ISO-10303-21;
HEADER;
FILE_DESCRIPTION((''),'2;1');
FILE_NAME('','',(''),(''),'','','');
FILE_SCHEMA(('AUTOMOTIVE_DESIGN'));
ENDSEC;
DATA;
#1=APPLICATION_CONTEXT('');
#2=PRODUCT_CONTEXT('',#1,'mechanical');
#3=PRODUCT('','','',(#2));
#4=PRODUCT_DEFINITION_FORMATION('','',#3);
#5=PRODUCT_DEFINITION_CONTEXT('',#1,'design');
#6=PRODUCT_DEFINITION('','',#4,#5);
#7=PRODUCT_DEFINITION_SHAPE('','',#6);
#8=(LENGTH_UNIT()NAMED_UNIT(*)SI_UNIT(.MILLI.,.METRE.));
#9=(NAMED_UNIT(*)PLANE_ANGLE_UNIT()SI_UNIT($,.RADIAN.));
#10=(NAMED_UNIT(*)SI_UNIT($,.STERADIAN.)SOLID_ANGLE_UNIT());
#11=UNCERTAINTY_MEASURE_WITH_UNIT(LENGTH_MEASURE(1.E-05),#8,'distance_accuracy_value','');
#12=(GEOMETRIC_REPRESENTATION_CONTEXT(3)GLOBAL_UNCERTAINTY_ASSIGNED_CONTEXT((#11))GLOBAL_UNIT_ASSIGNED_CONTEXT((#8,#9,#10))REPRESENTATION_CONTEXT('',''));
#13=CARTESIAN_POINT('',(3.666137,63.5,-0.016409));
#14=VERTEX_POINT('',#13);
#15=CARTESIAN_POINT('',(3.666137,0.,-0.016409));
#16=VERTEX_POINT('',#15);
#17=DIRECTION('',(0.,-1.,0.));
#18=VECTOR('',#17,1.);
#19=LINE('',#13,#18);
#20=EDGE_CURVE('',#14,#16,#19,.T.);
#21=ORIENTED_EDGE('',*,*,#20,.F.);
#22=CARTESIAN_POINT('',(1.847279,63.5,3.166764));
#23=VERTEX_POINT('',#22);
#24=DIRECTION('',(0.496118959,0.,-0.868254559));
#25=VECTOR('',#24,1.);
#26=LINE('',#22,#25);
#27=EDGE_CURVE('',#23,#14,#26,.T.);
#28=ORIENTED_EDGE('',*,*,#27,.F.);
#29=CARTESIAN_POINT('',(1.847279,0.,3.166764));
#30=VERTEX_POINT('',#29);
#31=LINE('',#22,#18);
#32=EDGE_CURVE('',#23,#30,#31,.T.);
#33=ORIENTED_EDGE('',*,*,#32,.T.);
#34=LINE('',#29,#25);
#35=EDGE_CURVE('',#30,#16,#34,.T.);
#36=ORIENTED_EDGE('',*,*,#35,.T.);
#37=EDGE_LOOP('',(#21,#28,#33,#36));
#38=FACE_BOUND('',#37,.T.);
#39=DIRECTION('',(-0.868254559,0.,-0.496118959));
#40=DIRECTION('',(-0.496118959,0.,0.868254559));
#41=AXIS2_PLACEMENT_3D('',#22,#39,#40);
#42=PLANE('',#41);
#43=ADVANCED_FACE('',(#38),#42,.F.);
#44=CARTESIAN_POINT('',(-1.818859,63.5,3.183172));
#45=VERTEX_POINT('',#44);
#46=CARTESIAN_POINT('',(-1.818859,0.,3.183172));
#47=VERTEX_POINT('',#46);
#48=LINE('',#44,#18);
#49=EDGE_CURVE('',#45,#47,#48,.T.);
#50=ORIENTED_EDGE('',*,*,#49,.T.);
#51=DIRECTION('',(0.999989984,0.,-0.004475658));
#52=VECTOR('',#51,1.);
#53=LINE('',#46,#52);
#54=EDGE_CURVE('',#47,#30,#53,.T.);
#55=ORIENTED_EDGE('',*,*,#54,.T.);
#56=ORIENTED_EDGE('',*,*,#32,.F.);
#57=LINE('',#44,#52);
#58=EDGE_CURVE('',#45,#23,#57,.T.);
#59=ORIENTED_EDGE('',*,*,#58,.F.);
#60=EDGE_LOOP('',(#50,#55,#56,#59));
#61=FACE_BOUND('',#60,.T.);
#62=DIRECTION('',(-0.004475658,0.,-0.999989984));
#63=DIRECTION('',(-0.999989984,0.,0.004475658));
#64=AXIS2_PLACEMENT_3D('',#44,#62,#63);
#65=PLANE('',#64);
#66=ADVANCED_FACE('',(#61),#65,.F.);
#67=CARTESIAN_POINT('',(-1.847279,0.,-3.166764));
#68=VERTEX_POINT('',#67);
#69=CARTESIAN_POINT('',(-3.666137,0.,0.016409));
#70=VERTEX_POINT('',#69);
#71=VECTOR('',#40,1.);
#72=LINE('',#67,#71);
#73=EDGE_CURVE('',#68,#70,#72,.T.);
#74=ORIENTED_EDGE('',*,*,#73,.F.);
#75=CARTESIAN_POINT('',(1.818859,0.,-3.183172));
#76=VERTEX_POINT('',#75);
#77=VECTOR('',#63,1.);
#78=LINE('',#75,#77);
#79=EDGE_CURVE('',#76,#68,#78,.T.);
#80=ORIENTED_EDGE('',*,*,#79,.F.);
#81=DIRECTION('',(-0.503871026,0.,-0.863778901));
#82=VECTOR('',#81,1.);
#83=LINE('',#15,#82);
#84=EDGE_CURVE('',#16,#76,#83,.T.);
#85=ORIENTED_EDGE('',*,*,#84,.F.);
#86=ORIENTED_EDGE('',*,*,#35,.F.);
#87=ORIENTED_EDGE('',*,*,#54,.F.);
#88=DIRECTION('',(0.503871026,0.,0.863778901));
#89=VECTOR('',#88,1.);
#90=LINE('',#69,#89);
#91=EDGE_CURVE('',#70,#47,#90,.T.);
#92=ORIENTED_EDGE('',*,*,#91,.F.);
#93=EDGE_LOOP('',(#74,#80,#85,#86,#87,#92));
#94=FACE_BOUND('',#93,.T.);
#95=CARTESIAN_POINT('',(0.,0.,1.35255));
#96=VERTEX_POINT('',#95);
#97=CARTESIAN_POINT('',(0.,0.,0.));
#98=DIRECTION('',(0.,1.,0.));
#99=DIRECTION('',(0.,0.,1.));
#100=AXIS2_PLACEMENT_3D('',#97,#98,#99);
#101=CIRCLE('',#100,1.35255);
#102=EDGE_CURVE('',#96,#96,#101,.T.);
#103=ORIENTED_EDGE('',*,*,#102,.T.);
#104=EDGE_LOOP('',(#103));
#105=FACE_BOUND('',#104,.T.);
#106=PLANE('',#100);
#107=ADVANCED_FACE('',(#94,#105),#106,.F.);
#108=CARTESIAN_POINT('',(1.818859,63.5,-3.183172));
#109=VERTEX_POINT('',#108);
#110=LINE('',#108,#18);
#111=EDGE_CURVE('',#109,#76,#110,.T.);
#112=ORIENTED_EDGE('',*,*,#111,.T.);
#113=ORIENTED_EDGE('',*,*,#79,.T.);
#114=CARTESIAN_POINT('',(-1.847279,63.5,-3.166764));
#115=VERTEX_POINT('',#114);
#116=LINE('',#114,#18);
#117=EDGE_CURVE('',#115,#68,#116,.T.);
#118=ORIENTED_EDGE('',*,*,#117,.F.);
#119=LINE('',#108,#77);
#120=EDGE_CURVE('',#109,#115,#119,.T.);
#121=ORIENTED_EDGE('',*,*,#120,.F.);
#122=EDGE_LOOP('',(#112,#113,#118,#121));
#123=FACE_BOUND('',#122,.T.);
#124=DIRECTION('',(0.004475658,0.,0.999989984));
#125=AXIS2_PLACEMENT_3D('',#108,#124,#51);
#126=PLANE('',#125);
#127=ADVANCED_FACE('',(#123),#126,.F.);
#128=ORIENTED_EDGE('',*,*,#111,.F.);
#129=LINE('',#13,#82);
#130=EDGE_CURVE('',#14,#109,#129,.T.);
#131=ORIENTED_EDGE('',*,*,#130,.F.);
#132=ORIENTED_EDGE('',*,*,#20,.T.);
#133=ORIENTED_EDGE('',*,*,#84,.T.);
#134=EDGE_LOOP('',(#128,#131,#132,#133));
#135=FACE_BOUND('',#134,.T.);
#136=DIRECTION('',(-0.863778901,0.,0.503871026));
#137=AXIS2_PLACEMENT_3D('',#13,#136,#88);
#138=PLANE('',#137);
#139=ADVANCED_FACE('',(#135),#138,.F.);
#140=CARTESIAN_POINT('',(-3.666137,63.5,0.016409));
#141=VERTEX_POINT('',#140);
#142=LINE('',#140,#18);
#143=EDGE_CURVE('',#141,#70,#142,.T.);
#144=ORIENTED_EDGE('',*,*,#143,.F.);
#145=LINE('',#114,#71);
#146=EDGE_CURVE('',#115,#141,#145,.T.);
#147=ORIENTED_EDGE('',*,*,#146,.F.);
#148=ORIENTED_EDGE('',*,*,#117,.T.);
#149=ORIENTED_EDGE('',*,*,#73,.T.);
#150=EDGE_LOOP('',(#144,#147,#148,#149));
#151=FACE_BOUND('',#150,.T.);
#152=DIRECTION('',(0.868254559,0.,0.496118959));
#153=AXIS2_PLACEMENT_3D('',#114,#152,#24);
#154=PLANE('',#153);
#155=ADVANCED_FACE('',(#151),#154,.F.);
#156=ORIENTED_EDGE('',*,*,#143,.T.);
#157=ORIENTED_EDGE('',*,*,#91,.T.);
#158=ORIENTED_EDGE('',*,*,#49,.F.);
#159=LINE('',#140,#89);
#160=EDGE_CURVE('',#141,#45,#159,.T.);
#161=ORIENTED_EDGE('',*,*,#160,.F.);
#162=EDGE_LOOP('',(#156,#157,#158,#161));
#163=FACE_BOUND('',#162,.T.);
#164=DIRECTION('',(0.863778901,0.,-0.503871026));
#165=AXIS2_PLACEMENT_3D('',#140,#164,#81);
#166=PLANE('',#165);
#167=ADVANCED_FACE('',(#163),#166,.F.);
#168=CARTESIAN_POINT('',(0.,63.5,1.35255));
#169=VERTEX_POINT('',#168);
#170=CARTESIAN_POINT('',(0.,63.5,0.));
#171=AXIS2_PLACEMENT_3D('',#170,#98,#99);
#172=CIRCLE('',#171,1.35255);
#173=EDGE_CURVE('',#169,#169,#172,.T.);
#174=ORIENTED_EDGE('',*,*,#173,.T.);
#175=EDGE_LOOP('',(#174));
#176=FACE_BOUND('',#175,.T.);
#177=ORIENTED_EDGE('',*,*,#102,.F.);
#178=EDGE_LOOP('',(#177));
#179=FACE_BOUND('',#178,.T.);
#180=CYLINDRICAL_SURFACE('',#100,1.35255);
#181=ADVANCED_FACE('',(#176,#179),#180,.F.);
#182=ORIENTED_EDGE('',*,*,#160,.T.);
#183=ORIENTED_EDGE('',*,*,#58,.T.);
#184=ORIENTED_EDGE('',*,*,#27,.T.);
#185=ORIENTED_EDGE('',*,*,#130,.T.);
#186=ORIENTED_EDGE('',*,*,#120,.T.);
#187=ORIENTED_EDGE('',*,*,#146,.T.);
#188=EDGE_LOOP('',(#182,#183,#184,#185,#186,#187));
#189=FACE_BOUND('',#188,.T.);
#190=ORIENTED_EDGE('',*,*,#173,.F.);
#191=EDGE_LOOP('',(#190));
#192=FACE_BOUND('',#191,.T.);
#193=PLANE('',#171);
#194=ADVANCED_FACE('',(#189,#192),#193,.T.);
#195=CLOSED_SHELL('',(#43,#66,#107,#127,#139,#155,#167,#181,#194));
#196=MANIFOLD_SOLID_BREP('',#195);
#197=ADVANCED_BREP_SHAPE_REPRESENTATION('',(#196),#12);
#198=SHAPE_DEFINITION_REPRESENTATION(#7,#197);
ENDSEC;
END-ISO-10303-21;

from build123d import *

# Parameters (mm, degrees)
BOSS_EXTRUDE1_DEPTH = 63.5
SKETCH2_R           = 1.35255
CUT_EXTRUDE1_DEPTH  = 64.5


with BuildPart() as part:
    # Sketch1 → Boss-Extrude1 (new body)
    with BuildSketch(Plane(origin=(0, 0, 0), x_dir=(1, 0, 0), z_dir=(0, 1, 0))):
        Polygon((-1.847278959, 3.166763929), (-3.66613749, -0.016408542), (-1.818858531, -3.183172471), (1.847278959, -3.166763929), (3.66613749, 0.016408542), (1.818858531, 3.183172471), align=None)
    extrude(amount=BOSS_EXTRUDE1_DEPTH)

    # Sketch2 → Cut-Extrude1 (cut, through all)
    with BuildSketch(Plane(origin=(0, 63.5, 0), x_dir=(1, 0, 0), z_dir=(0, 1, 0))):
        Circle(SKETCH2_R)
    extrude(amount=-CUT_EXTRUDE1_DEPTH, mode=Mode.SUBTRACT)


solid = part.part
